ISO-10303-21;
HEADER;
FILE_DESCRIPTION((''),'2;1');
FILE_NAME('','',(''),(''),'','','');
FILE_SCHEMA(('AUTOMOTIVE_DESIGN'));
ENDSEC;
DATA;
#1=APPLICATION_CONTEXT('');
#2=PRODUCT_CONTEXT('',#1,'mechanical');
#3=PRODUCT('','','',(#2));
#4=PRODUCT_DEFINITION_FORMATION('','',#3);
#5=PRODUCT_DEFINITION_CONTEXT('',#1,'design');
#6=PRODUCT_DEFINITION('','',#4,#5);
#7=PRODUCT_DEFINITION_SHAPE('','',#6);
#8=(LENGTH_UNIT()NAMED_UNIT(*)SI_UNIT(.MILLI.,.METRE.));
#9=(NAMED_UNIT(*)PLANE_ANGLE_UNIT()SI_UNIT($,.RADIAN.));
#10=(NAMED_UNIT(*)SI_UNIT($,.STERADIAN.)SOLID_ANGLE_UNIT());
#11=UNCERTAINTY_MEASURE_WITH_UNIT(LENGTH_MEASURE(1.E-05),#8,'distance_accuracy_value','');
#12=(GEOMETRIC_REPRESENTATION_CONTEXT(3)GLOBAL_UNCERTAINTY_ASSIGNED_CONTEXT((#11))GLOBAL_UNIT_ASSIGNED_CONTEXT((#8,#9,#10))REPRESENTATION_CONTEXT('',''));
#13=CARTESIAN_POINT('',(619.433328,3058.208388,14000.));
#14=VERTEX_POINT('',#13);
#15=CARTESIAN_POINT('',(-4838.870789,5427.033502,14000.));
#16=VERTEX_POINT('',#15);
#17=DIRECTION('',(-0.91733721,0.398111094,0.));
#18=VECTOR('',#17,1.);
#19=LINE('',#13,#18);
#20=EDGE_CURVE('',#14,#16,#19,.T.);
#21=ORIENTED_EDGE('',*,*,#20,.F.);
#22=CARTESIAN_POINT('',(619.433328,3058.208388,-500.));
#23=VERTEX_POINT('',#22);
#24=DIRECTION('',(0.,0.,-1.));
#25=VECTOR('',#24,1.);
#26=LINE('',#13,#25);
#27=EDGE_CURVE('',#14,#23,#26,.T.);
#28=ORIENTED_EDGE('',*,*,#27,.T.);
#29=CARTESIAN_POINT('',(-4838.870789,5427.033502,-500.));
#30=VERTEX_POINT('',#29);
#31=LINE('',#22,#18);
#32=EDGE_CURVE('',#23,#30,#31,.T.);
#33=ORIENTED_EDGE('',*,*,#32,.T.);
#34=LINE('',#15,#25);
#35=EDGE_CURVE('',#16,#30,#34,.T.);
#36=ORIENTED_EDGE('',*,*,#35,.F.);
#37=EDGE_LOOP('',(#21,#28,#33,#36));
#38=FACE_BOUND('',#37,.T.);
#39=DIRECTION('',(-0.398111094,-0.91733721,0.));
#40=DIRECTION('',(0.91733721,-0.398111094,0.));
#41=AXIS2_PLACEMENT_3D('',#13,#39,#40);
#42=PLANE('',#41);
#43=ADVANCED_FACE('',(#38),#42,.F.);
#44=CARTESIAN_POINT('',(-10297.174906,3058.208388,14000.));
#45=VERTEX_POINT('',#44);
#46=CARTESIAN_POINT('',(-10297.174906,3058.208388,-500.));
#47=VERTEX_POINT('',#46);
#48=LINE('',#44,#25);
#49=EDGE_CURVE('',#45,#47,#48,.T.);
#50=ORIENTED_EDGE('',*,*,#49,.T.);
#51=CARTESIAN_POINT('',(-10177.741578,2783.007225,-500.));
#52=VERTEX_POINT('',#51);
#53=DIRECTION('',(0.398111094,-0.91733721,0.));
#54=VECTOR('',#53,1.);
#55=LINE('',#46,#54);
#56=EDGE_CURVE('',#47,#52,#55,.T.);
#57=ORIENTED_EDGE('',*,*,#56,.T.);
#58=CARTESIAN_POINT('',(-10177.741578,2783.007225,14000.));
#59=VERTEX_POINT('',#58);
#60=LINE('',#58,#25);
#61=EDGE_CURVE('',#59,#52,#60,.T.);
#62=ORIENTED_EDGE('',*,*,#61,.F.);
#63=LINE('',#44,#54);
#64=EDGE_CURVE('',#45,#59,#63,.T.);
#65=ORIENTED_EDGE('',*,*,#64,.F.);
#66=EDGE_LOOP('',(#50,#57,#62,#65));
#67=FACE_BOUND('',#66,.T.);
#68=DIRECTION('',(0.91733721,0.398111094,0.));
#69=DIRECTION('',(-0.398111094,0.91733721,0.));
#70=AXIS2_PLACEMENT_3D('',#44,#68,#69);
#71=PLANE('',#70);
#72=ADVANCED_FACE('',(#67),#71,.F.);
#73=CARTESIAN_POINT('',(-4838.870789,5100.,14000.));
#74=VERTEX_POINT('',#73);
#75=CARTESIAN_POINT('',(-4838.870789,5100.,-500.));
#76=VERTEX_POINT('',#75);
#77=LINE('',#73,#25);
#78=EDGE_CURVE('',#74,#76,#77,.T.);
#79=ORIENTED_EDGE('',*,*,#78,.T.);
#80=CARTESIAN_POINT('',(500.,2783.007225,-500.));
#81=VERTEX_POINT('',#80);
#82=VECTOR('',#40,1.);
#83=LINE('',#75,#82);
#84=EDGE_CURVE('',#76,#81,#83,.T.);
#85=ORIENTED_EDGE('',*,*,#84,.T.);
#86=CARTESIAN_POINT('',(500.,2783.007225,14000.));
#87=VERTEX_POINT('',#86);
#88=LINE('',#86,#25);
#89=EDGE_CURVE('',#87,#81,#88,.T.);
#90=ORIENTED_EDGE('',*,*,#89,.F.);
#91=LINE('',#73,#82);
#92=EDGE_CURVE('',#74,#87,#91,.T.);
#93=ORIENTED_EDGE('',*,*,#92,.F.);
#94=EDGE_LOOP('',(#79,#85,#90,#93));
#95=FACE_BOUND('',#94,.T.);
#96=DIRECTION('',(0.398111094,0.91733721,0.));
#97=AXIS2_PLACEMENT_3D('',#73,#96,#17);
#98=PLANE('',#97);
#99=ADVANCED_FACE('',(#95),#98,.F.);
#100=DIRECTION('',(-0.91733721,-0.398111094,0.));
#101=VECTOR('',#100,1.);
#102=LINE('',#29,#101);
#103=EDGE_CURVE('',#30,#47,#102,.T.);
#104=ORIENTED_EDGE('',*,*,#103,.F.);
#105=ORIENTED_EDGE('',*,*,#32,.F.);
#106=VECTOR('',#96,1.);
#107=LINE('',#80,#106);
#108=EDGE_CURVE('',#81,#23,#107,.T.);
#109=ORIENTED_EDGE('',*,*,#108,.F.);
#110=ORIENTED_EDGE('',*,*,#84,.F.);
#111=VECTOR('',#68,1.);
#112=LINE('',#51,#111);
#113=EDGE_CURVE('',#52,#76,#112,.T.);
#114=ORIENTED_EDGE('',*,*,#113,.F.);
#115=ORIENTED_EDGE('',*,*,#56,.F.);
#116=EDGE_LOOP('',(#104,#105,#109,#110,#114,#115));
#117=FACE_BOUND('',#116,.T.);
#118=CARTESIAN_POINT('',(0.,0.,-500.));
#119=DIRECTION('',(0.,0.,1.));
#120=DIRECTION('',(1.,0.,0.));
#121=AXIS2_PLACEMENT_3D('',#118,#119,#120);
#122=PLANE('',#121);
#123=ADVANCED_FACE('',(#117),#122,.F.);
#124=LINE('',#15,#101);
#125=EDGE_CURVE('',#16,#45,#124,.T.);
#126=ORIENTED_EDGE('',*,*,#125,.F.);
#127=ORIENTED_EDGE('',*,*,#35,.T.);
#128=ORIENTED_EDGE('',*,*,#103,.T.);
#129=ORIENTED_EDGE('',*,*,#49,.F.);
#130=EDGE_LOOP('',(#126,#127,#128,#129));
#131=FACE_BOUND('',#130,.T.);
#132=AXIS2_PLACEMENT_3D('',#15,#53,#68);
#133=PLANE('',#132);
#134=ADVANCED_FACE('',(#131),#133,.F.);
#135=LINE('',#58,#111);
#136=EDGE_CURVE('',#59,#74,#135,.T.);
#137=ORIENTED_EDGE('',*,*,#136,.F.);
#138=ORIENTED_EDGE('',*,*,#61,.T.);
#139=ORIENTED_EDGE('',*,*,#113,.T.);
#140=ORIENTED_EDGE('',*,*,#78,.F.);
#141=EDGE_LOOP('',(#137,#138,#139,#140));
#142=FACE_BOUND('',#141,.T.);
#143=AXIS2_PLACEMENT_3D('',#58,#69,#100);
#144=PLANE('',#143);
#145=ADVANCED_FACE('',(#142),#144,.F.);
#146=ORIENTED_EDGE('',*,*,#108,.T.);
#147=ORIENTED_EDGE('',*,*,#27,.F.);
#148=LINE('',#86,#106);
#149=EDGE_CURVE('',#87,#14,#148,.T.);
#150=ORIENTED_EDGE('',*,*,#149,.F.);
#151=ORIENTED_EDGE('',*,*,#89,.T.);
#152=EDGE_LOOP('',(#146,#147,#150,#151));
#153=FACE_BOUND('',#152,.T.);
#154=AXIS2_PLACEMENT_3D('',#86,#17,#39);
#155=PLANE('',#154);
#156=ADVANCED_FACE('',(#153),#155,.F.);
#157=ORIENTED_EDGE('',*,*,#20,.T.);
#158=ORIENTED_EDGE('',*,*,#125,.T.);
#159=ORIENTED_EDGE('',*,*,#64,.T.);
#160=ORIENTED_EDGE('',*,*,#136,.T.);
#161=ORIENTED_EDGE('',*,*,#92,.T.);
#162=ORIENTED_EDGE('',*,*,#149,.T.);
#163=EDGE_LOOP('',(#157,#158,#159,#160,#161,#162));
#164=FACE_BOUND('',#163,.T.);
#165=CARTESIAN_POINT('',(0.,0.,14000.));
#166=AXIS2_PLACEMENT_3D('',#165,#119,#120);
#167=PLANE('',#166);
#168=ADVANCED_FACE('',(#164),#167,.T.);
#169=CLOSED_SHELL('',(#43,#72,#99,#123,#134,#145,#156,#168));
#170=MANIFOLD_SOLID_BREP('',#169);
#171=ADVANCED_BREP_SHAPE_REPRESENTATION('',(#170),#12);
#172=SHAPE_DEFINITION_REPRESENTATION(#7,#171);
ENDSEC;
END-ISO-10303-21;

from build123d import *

# Parameters (mm, degrees)
EXTRUDE_1_DEPTH      = 14000
EXTRUDE_1_DEPTH_BACK = 500


with BuildPart() as part:
    # Эскиз1 → Бобышка-Вытянуть1 (new, two sides: drawn at the far end of the back side and taken through both)
    with BuildSketch(Plane.XY.offset(-EXTRUDE_1_DEPTH_BACK)):
        Polygon((-10177.741577619, 2783.007225068), (-4838.87078881, 5100), (500, 2783.007225068), (619.433328071, 3058.208388122), (-4838.87078881, 5427.033501608), (-10297.17490569, 3058.208388122), align=None)
    extrude(amount=EXTRUDE_1_DEPTH + EXTRUDE_1_DEPTH_BACK)


solid = part.part
